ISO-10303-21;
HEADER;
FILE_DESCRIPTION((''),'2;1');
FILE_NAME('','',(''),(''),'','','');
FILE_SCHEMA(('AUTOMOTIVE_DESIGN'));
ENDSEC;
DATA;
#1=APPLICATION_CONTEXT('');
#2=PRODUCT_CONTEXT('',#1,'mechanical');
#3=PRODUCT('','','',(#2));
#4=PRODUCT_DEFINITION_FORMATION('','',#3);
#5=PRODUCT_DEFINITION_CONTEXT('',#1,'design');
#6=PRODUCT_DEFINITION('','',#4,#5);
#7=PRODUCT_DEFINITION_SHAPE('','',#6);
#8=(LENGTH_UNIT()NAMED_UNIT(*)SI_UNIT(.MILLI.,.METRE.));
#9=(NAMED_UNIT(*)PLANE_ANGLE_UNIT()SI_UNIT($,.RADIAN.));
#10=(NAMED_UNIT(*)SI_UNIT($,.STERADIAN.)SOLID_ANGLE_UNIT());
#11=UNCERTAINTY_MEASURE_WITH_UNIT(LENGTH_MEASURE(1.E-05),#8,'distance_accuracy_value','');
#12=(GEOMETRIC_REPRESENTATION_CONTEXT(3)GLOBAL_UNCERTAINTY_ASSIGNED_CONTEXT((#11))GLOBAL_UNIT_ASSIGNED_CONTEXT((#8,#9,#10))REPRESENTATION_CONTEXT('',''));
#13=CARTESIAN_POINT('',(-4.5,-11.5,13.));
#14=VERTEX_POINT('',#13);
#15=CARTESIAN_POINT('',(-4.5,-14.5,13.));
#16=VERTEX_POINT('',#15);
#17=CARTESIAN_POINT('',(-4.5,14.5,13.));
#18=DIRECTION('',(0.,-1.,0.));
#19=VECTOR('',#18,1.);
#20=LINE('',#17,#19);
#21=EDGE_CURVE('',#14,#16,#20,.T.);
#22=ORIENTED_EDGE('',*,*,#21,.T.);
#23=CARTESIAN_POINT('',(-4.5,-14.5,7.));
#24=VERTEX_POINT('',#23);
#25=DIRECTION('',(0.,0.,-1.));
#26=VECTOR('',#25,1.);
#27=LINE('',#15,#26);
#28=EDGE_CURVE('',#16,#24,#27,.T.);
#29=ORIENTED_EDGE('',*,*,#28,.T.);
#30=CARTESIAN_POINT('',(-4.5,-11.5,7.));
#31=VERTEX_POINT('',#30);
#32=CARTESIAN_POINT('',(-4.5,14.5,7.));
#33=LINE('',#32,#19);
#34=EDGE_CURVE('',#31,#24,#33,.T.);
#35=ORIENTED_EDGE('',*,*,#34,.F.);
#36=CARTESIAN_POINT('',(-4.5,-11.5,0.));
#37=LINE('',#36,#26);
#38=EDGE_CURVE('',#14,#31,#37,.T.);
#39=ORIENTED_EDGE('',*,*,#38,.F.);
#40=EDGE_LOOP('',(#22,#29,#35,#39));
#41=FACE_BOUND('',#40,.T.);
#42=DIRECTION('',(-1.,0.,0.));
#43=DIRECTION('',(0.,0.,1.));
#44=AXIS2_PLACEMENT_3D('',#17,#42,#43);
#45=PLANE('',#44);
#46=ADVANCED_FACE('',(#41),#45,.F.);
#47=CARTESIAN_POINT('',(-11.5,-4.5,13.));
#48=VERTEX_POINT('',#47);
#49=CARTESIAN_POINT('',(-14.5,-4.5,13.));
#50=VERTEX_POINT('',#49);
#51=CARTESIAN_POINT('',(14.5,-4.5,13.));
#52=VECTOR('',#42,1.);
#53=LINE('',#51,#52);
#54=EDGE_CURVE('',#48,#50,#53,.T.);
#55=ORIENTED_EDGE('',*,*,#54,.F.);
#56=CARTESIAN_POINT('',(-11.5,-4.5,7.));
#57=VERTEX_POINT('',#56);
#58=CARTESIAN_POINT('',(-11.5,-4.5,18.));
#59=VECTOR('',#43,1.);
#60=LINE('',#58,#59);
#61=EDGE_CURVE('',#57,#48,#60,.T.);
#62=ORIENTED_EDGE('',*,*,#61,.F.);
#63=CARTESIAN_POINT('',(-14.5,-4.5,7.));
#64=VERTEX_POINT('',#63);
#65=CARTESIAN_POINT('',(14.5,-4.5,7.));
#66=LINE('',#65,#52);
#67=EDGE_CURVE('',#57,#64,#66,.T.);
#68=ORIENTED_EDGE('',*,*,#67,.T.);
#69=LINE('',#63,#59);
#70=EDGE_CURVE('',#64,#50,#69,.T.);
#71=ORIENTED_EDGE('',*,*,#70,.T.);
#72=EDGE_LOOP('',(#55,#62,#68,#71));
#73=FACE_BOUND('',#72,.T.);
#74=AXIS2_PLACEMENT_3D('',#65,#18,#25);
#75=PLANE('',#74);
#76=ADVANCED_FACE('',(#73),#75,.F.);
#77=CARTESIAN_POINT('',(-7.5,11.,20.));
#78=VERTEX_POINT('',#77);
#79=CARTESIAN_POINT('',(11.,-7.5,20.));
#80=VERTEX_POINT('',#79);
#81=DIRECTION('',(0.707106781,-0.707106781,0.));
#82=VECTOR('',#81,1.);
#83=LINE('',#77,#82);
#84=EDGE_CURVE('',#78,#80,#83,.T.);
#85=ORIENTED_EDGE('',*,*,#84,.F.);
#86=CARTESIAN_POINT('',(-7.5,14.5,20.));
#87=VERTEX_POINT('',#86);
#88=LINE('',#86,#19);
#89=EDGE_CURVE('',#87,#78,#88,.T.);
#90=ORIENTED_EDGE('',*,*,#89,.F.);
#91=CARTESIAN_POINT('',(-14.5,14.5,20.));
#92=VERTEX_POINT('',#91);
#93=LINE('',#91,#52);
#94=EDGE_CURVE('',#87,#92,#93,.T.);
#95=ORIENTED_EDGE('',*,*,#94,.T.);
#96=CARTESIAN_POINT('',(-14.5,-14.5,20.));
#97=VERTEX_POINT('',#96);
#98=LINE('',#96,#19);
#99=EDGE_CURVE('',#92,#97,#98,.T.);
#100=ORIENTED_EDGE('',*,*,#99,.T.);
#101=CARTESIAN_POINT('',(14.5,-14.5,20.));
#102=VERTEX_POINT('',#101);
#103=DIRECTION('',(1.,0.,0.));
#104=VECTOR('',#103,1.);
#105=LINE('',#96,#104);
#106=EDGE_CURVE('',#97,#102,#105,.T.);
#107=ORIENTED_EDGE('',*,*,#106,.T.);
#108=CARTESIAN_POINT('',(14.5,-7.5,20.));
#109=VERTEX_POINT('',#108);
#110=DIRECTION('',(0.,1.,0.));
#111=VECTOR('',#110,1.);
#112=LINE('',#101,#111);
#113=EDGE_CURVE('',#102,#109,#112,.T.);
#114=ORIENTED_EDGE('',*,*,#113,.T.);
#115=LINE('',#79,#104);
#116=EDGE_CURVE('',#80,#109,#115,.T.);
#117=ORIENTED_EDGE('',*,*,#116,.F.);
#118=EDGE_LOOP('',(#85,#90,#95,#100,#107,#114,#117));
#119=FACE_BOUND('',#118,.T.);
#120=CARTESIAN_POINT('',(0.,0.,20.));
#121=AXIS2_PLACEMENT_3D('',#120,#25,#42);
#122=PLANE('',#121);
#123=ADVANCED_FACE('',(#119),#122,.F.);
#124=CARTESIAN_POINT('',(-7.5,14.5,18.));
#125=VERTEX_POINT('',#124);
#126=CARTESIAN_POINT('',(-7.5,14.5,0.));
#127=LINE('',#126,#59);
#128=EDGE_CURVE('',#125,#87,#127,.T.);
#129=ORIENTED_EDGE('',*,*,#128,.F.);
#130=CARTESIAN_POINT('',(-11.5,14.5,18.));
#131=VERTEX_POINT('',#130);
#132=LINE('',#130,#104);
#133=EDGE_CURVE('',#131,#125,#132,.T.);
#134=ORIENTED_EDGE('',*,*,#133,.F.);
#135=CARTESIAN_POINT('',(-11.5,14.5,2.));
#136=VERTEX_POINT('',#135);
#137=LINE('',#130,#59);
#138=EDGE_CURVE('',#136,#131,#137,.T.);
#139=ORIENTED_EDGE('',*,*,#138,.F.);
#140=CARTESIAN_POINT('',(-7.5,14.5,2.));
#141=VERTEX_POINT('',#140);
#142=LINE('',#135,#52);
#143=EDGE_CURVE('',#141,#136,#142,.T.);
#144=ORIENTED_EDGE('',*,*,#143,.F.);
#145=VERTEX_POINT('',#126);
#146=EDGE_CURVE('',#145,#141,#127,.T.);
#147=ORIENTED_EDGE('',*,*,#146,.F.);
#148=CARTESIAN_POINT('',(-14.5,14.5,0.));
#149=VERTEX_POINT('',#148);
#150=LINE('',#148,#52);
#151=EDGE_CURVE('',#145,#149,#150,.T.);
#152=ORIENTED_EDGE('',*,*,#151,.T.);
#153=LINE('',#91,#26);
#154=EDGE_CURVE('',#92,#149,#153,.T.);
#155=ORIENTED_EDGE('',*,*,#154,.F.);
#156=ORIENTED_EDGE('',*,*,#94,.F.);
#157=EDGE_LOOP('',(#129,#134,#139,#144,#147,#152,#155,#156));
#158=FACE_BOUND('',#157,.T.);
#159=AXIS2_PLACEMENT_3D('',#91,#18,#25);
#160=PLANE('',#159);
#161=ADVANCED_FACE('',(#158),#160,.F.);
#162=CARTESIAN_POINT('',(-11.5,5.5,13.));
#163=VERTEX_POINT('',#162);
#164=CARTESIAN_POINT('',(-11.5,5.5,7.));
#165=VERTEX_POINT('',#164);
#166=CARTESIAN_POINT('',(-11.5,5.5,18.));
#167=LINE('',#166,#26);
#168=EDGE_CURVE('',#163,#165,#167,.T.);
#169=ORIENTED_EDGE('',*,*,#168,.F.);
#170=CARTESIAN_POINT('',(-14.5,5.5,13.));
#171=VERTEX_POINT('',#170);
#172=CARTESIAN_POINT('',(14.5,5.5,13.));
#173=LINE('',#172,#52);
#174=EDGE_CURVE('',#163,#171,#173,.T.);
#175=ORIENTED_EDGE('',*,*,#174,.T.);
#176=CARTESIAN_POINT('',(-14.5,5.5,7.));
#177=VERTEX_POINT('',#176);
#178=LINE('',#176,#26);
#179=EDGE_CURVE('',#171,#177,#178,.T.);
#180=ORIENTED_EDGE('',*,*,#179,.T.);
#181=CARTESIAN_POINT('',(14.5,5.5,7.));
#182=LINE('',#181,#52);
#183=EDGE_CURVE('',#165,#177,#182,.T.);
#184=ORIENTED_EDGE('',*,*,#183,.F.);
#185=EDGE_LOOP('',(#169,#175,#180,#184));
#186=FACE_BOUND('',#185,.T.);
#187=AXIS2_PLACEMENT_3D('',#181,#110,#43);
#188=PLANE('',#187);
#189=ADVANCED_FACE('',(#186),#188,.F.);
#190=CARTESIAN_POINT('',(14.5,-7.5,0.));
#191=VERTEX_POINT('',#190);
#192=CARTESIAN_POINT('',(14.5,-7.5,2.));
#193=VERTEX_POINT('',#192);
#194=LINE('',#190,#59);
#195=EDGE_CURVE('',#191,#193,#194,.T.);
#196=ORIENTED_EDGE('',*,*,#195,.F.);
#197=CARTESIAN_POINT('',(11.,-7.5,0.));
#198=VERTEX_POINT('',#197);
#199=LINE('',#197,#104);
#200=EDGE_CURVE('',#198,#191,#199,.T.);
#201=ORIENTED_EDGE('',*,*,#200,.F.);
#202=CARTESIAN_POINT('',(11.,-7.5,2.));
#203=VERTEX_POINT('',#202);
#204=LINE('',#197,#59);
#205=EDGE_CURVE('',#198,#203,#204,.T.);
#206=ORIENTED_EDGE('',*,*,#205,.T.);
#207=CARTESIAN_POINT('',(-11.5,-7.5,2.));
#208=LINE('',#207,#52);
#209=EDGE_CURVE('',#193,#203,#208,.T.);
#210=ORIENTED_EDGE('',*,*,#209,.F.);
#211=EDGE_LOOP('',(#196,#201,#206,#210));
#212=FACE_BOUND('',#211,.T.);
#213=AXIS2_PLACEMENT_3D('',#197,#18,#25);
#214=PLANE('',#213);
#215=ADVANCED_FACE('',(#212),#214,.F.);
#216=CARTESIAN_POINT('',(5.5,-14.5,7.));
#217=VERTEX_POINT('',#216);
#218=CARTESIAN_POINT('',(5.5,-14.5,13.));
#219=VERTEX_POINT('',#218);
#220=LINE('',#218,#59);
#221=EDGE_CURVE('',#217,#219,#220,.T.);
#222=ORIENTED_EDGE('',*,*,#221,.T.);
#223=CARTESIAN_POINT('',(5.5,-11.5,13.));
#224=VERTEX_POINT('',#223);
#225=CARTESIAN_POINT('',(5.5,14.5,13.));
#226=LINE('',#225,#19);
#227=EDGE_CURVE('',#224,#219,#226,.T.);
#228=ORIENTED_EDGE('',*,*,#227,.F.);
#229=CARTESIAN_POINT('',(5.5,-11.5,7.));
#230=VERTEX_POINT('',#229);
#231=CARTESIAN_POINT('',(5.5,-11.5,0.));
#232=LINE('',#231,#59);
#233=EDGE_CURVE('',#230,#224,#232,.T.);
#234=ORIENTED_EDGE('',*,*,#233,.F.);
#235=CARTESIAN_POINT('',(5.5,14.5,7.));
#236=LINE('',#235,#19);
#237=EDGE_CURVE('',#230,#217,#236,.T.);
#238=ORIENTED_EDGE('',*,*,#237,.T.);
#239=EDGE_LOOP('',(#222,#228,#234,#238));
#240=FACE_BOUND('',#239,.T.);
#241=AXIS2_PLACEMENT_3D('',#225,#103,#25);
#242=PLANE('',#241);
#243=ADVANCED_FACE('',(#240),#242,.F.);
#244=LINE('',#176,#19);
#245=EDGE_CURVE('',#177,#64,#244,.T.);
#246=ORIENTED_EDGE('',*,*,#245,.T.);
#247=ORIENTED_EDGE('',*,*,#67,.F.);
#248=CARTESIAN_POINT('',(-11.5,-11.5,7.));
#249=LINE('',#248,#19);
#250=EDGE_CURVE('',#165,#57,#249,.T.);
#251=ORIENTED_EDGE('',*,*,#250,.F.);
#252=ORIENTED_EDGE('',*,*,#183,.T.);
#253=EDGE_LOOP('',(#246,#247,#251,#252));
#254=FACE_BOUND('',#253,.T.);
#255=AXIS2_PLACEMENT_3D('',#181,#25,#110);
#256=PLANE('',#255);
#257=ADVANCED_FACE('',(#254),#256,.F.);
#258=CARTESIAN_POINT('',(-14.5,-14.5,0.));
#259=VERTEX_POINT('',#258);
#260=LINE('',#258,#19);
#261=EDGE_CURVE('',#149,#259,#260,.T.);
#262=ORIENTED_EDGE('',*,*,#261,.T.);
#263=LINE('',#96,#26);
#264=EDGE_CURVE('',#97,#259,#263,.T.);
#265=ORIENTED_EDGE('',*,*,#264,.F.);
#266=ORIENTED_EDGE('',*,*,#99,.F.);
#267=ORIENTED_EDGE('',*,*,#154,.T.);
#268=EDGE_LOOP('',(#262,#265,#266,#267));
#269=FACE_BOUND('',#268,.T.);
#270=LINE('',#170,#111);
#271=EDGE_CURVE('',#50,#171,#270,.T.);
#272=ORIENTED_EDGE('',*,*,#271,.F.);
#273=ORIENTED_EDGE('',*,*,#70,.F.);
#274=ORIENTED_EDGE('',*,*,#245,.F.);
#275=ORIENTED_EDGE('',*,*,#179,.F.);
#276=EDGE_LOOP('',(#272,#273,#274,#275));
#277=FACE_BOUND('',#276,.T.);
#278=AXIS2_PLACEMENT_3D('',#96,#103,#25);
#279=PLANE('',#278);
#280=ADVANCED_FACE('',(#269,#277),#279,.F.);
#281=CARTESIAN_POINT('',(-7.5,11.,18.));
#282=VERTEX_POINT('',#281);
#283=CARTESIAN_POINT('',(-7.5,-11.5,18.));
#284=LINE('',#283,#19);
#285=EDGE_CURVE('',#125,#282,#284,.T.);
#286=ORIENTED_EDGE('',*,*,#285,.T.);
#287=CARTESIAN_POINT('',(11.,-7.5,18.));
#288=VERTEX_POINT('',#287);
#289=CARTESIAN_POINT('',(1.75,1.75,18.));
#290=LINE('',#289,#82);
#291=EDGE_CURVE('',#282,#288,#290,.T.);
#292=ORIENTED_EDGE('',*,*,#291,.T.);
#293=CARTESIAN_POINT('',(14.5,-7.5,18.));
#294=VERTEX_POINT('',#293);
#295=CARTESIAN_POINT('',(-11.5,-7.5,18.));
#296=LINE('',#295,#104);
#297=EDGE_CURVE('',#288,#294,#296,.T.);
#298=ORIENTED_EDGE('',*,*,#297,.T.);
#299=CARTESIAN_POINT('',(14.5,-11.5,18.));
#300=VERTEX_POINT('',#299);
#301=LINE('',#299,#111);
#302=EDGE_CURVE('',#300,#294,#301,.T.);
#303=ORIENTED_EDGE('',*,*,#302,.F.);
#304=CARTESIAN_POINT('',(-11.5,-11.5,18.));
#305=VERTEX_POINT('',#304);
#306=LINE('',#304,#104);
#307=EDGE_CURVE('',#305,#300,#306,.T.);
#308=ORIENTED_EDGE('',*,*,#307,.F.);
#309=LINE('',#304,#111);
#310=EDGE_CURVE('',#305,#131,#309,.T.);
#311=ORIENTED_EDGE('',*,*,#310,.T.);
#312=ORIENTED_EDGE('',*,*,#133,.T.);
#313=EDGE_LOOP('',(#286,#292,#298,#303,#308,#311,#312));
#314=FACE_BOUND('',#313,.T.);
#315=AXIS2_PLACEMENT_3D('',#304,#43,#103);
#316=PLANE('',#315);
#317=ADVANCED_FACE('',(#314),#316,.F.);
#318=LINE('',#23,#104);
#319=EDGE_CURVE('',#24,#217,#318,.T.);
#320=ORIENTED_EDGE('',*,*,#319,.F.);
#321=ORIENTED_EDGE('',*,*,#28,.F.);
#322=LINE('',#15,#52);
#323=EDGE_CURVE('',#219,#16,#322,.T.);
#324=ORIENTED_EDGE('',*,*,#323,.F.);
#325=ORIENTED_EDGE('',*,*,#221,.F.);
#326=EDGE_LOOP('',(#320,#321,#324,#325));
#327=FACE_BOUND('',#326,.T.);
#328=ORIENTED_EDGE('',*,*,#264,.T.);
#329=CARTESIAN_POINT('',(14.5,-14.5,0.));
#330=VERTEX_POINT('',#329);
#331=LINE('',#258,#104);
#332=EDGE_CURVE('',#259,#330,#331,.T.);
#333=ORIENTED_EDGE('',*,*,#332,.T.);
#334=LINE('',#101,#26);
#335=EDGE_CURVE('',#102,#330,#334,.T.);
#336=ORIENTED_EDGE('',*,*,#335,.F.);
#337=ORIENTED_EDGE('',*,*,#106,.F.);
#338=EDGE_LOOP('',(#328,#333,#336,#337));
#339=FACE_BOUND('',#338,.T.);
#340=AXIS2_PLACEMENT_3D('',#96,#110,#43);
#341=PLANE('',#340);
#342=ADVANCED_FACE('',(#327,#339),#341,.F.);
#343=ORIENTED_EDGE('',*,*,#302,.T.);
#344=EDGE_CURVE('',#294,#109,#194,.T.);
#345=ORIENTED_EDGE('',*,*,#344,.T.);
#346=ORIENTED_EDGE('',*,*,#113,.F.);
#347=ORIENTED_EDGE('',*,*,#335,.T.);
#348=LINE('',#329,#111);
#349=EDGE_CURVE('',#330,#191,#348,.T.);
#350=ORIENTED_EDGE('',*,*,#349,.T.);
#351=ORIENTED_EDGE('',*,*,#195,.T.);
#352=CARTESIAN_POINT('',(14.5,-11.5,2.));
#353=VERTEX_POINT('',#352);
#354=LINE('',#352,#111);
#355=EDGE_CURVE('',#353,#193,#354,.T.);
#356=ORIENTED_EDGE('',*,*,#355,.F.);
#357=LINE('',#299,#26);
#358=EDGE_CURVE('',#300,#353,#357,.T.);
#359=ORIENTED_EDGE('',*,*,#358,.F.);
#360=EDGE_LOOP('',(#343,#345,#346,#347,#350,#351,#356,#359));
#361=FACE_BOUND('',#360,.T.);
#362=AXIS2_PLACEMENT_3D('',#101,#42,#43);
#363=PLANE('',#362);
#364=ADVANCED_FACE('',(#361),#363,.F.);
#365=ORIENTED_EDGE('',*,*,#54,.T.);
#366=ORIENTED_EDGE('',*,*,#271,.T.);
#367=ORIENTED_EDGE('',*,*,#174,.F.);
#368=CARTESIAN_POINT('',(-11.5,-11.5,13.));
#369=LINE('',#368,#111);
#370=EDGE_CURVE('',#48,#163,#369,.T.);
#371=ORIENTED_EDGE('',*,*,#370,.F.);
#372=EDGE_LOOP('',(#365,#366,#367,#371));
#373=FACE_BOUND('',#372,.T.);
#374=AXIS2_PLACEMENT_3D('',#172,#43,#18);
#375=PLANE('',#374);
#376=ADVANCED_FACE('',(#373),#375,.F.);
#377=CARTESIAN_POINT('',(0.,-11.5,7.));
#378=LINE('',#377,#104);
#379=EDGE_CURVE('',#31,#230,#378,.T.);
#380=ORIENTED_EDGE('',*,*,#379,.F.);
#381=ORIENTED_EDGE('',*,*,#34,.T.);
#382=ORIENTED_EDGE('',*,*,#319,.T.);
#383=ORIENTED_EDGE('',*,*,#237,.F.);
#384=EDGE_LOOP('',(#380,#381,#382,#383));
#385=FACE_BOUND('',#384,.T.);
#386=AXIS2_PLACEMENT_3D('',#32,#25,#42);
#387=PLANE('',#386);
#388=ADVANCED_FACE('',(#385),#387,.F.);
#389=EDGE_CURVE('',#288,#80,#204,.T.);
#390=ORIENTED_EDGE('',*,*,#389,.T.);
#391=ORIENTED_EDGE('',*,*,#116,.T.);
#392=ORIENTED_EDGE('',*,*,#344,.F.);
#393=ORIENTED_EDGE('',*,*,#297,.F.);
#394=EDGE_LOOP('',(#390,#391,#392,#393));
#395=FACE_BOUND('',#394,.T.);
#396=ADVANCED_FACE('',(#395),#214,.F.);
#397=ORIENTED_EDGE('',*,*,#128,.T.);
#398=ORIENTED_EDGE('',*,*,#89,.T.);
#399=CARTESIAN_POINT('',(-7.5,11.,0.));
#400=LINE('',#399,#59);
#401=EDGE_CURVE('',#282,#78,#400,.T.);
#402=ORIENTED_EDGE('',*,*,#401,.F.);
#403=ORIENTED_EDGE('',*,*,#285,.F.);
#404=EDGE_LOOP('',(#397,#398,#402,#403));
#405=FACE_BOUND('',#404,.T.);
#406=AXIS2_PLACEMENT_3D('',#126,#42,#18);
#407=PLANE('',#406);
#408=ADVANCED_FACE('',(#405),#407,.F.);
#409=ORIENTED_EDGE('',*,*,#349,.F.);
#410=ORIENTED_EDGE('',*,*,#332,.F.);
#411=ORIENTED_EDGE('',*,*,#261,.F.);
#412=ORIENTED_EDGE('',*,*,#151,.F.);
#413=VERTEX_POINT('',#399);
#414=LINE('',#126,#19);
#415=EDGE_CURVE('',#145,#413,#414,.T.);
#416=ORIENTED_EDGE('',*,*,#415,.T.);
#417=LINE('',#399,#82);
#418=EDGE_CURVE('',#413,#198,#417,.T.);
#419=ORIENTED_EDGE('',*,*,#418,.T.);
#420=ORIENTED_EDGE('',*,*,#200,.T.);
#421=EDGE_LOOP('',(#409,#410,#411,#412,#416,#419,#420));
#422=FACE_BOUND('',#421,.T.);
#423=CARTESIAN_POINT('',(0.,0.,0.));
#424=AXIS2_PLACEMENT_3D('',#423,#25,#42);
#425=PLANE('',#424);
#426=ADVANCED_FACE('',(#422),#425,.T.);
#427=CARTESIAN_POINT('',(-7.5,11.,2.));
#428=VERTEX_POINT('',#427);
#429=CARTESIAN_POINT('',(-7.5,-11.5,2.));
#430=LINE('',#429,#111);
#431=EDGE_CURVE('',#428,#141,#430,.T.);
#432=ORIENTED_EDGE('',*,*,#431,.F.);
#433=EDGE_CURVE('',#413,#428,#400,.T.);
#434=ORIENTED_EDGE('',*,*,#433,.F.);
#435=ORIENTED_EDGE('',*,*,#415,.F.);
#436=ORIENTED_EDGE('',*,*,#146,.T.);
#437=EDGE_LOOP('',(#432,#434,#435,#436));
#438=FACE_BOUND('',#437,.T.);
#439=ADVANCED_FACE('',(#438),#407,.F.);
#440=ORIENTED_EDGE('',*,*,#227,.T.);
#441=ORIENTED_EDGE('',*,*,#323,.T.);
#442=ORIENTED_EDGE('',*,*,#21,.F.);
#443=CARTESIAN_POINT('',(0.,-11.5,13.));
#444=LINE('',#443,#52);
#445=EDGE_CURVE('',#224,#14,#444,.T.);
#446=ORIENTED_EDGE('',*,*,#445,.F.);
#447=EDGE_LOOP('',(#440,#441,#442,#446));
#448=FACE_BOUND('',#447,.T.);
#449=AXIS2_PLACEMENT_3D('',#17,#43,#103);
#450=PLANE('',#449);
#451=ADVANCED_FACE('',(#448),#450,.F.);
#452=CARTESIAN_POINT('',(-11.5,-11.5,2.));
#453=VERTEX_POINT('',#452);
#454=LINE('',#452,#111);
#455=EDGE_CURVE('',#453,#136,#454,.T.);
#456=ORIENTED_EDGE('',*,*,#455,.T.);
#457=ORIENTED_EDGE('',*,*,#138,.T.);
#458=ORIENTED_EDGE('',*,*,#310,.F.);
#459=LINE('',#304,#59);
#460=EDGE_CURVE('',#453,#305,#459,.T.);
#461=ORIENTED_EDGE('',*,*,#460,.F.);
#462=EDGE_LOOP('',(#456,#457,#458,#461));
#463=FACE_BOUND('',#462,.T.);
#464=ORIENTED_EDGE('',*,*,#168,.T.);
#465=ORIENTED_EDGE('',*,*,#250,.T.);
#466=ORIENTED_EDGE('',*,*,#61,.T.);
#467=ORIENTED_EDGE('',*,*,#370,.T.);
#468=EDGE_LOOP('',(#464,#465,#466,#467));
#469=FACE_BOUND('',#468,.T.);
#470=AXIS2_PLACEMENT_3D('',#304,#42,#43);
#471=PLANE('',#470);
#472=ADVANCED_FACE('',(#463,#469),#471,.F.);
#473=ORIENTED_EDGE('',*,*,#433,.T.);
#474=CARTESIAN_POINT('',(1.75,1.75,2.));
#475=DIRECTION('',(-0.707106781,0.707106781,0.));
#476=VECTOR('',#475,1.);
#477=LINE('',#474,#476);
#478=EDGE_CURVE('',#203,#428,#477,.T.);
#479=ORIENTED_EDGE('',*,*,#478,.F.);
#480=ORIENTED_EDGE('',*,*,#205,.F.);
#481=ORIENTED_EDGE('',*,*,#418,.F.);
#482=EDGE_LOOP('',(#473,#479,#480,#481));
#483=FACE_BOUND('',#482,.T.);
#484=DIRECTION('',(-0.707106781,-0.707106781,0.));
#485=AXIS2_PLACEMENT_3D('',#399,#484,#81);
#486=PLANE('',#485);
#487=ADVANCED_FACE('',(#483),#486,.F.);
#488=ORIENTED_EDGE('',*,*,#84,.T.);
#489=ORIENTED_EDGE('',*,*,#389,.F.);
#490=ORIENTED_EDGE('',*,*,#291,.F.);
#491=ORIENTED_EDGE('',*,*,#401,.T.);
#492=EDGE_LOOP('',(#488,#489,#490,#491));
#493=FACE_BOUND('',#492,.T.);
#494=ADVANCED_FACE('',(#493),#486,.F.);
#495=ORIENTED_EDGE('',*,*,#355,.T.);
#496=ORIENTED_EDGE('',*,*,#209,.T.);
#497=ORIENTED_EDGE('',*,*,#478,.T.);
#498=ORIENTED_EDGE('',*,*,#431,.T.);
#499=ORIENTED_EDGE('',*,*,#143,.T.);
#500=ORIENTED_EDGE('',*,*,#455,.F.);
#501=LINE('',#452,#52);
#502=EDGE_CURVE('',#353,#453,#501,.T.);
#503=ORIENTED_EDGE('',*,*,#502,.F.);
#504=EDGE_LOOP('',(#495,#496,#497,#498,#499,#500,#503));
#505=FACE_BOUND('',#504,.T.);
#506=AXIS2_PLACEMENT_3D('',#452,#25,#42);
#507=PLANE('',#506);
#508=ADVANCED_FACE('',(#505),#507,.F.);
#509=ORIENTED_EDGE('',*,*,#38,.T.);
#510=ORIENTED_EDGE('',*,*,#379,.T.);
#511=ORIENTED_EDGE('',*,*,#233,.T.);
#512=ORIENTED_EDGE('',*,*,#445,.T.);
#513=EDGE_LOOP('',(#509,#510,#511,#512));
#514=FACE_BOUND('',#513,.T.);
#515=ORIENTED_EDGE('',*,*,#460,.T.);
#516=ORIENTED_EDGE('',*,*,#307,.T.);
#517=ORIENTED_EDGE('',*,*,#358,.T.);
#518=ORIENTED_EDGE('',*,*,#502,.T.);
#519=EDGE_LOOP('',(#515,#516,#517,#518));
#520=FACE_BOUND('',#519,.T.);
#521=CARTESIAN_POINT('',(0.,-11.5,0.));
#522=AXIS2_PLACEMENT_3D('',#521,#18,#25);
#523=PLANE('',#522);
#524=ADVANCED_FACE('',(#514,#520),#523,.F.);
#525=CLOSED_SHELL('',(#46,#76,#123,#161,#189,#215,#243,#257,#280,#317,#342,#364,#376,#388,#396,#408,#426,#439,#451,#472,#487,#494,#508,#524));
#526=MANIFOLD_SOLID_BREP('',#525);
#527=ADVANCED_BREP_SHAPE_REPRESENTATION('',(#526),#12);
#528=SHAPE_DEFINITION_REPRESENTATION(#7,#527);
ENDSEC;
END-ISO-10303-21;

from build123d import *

# Parameters (mm, degrees)
SKETCH1_W           = 29
SKETCH1_H           = 29
BOSS_EXTRUDE1_DEPTH = 20
SKETCH2_W           = 26
SKETCH2_H           = 16
CUT_EXTRUDE1_DEPTH  = 26
CUT_EXTRUDE2_DEPTH  = 21
SKETCH4_W           = 10
SKETCH4_H           = 6
CUT_EXTRUDE3_DEPTH  = 30
SKETCH5_W           = 6
SKETCH5_H           = 10
CUT_EXTRUDE4_DEPTH  = 30


with BuildPart() as part:
    # Sketch1 → Boss-Extrude1 (new body)
    with BuildSketch(Plane.XY):
        Rectangle(SKETCH1_W, SKETCH1_H)
    extrude(amount=BOSS_EXTRUDE1_DEPTH)

    # Sketch2 → Cut-Extrude1 (cut)
    with BuildSketch(Plane(origin=(0, 14.5, 0), x_dir=(1, 0, 0), z_dir=(0, 1, 0))):
        with Locations((1.5, -10)):
            Rectangle(SKETCH2_W, SKETCH2_H)
    extrude(amount=-CUT_EXTRUDE1_DEPTH, mode=Mode.SUBTRACT)

    # Sketch3 → Cut-Extrude2 (cut, through all)
    with BuildSketch(Plane.XY.offset(20)):
        Polygon((-7.5, 14.5), (-7.5, 11), (11, -7.5), (14.5, -7.5), (14.5, 14.5), align=None)
    extrude(amount=-CUT_EXTRUDE2_DEPTH, mode=Mode.SUBTRACT)

    # Sketch4 → Cut-Extrude3 (cut, through all)
    with BuildSketch(Plane.XZ.offset(14.5)):
        with Locations((0.5, 10)):
            Rectangle(SKETCH4_W, SKETCH4_H)
    extrude(amount=-CUT_EXTRUDE3_DEPTH, mode=Mode.SUBTRACT)

    # Sketch5 → Cut-Extrude4 (cut, through all)
    with BuildSketch(Plane.ZY.offset(14.5)):
        with Locations((10, 0.5)):
            Rectangle(SKETCH5_W, SKETCH5_H)
    extrude(amount=-CUT_EXTRUDE4_DEPTH, mode=Mode.SUBTRACT)


solid = part.part
